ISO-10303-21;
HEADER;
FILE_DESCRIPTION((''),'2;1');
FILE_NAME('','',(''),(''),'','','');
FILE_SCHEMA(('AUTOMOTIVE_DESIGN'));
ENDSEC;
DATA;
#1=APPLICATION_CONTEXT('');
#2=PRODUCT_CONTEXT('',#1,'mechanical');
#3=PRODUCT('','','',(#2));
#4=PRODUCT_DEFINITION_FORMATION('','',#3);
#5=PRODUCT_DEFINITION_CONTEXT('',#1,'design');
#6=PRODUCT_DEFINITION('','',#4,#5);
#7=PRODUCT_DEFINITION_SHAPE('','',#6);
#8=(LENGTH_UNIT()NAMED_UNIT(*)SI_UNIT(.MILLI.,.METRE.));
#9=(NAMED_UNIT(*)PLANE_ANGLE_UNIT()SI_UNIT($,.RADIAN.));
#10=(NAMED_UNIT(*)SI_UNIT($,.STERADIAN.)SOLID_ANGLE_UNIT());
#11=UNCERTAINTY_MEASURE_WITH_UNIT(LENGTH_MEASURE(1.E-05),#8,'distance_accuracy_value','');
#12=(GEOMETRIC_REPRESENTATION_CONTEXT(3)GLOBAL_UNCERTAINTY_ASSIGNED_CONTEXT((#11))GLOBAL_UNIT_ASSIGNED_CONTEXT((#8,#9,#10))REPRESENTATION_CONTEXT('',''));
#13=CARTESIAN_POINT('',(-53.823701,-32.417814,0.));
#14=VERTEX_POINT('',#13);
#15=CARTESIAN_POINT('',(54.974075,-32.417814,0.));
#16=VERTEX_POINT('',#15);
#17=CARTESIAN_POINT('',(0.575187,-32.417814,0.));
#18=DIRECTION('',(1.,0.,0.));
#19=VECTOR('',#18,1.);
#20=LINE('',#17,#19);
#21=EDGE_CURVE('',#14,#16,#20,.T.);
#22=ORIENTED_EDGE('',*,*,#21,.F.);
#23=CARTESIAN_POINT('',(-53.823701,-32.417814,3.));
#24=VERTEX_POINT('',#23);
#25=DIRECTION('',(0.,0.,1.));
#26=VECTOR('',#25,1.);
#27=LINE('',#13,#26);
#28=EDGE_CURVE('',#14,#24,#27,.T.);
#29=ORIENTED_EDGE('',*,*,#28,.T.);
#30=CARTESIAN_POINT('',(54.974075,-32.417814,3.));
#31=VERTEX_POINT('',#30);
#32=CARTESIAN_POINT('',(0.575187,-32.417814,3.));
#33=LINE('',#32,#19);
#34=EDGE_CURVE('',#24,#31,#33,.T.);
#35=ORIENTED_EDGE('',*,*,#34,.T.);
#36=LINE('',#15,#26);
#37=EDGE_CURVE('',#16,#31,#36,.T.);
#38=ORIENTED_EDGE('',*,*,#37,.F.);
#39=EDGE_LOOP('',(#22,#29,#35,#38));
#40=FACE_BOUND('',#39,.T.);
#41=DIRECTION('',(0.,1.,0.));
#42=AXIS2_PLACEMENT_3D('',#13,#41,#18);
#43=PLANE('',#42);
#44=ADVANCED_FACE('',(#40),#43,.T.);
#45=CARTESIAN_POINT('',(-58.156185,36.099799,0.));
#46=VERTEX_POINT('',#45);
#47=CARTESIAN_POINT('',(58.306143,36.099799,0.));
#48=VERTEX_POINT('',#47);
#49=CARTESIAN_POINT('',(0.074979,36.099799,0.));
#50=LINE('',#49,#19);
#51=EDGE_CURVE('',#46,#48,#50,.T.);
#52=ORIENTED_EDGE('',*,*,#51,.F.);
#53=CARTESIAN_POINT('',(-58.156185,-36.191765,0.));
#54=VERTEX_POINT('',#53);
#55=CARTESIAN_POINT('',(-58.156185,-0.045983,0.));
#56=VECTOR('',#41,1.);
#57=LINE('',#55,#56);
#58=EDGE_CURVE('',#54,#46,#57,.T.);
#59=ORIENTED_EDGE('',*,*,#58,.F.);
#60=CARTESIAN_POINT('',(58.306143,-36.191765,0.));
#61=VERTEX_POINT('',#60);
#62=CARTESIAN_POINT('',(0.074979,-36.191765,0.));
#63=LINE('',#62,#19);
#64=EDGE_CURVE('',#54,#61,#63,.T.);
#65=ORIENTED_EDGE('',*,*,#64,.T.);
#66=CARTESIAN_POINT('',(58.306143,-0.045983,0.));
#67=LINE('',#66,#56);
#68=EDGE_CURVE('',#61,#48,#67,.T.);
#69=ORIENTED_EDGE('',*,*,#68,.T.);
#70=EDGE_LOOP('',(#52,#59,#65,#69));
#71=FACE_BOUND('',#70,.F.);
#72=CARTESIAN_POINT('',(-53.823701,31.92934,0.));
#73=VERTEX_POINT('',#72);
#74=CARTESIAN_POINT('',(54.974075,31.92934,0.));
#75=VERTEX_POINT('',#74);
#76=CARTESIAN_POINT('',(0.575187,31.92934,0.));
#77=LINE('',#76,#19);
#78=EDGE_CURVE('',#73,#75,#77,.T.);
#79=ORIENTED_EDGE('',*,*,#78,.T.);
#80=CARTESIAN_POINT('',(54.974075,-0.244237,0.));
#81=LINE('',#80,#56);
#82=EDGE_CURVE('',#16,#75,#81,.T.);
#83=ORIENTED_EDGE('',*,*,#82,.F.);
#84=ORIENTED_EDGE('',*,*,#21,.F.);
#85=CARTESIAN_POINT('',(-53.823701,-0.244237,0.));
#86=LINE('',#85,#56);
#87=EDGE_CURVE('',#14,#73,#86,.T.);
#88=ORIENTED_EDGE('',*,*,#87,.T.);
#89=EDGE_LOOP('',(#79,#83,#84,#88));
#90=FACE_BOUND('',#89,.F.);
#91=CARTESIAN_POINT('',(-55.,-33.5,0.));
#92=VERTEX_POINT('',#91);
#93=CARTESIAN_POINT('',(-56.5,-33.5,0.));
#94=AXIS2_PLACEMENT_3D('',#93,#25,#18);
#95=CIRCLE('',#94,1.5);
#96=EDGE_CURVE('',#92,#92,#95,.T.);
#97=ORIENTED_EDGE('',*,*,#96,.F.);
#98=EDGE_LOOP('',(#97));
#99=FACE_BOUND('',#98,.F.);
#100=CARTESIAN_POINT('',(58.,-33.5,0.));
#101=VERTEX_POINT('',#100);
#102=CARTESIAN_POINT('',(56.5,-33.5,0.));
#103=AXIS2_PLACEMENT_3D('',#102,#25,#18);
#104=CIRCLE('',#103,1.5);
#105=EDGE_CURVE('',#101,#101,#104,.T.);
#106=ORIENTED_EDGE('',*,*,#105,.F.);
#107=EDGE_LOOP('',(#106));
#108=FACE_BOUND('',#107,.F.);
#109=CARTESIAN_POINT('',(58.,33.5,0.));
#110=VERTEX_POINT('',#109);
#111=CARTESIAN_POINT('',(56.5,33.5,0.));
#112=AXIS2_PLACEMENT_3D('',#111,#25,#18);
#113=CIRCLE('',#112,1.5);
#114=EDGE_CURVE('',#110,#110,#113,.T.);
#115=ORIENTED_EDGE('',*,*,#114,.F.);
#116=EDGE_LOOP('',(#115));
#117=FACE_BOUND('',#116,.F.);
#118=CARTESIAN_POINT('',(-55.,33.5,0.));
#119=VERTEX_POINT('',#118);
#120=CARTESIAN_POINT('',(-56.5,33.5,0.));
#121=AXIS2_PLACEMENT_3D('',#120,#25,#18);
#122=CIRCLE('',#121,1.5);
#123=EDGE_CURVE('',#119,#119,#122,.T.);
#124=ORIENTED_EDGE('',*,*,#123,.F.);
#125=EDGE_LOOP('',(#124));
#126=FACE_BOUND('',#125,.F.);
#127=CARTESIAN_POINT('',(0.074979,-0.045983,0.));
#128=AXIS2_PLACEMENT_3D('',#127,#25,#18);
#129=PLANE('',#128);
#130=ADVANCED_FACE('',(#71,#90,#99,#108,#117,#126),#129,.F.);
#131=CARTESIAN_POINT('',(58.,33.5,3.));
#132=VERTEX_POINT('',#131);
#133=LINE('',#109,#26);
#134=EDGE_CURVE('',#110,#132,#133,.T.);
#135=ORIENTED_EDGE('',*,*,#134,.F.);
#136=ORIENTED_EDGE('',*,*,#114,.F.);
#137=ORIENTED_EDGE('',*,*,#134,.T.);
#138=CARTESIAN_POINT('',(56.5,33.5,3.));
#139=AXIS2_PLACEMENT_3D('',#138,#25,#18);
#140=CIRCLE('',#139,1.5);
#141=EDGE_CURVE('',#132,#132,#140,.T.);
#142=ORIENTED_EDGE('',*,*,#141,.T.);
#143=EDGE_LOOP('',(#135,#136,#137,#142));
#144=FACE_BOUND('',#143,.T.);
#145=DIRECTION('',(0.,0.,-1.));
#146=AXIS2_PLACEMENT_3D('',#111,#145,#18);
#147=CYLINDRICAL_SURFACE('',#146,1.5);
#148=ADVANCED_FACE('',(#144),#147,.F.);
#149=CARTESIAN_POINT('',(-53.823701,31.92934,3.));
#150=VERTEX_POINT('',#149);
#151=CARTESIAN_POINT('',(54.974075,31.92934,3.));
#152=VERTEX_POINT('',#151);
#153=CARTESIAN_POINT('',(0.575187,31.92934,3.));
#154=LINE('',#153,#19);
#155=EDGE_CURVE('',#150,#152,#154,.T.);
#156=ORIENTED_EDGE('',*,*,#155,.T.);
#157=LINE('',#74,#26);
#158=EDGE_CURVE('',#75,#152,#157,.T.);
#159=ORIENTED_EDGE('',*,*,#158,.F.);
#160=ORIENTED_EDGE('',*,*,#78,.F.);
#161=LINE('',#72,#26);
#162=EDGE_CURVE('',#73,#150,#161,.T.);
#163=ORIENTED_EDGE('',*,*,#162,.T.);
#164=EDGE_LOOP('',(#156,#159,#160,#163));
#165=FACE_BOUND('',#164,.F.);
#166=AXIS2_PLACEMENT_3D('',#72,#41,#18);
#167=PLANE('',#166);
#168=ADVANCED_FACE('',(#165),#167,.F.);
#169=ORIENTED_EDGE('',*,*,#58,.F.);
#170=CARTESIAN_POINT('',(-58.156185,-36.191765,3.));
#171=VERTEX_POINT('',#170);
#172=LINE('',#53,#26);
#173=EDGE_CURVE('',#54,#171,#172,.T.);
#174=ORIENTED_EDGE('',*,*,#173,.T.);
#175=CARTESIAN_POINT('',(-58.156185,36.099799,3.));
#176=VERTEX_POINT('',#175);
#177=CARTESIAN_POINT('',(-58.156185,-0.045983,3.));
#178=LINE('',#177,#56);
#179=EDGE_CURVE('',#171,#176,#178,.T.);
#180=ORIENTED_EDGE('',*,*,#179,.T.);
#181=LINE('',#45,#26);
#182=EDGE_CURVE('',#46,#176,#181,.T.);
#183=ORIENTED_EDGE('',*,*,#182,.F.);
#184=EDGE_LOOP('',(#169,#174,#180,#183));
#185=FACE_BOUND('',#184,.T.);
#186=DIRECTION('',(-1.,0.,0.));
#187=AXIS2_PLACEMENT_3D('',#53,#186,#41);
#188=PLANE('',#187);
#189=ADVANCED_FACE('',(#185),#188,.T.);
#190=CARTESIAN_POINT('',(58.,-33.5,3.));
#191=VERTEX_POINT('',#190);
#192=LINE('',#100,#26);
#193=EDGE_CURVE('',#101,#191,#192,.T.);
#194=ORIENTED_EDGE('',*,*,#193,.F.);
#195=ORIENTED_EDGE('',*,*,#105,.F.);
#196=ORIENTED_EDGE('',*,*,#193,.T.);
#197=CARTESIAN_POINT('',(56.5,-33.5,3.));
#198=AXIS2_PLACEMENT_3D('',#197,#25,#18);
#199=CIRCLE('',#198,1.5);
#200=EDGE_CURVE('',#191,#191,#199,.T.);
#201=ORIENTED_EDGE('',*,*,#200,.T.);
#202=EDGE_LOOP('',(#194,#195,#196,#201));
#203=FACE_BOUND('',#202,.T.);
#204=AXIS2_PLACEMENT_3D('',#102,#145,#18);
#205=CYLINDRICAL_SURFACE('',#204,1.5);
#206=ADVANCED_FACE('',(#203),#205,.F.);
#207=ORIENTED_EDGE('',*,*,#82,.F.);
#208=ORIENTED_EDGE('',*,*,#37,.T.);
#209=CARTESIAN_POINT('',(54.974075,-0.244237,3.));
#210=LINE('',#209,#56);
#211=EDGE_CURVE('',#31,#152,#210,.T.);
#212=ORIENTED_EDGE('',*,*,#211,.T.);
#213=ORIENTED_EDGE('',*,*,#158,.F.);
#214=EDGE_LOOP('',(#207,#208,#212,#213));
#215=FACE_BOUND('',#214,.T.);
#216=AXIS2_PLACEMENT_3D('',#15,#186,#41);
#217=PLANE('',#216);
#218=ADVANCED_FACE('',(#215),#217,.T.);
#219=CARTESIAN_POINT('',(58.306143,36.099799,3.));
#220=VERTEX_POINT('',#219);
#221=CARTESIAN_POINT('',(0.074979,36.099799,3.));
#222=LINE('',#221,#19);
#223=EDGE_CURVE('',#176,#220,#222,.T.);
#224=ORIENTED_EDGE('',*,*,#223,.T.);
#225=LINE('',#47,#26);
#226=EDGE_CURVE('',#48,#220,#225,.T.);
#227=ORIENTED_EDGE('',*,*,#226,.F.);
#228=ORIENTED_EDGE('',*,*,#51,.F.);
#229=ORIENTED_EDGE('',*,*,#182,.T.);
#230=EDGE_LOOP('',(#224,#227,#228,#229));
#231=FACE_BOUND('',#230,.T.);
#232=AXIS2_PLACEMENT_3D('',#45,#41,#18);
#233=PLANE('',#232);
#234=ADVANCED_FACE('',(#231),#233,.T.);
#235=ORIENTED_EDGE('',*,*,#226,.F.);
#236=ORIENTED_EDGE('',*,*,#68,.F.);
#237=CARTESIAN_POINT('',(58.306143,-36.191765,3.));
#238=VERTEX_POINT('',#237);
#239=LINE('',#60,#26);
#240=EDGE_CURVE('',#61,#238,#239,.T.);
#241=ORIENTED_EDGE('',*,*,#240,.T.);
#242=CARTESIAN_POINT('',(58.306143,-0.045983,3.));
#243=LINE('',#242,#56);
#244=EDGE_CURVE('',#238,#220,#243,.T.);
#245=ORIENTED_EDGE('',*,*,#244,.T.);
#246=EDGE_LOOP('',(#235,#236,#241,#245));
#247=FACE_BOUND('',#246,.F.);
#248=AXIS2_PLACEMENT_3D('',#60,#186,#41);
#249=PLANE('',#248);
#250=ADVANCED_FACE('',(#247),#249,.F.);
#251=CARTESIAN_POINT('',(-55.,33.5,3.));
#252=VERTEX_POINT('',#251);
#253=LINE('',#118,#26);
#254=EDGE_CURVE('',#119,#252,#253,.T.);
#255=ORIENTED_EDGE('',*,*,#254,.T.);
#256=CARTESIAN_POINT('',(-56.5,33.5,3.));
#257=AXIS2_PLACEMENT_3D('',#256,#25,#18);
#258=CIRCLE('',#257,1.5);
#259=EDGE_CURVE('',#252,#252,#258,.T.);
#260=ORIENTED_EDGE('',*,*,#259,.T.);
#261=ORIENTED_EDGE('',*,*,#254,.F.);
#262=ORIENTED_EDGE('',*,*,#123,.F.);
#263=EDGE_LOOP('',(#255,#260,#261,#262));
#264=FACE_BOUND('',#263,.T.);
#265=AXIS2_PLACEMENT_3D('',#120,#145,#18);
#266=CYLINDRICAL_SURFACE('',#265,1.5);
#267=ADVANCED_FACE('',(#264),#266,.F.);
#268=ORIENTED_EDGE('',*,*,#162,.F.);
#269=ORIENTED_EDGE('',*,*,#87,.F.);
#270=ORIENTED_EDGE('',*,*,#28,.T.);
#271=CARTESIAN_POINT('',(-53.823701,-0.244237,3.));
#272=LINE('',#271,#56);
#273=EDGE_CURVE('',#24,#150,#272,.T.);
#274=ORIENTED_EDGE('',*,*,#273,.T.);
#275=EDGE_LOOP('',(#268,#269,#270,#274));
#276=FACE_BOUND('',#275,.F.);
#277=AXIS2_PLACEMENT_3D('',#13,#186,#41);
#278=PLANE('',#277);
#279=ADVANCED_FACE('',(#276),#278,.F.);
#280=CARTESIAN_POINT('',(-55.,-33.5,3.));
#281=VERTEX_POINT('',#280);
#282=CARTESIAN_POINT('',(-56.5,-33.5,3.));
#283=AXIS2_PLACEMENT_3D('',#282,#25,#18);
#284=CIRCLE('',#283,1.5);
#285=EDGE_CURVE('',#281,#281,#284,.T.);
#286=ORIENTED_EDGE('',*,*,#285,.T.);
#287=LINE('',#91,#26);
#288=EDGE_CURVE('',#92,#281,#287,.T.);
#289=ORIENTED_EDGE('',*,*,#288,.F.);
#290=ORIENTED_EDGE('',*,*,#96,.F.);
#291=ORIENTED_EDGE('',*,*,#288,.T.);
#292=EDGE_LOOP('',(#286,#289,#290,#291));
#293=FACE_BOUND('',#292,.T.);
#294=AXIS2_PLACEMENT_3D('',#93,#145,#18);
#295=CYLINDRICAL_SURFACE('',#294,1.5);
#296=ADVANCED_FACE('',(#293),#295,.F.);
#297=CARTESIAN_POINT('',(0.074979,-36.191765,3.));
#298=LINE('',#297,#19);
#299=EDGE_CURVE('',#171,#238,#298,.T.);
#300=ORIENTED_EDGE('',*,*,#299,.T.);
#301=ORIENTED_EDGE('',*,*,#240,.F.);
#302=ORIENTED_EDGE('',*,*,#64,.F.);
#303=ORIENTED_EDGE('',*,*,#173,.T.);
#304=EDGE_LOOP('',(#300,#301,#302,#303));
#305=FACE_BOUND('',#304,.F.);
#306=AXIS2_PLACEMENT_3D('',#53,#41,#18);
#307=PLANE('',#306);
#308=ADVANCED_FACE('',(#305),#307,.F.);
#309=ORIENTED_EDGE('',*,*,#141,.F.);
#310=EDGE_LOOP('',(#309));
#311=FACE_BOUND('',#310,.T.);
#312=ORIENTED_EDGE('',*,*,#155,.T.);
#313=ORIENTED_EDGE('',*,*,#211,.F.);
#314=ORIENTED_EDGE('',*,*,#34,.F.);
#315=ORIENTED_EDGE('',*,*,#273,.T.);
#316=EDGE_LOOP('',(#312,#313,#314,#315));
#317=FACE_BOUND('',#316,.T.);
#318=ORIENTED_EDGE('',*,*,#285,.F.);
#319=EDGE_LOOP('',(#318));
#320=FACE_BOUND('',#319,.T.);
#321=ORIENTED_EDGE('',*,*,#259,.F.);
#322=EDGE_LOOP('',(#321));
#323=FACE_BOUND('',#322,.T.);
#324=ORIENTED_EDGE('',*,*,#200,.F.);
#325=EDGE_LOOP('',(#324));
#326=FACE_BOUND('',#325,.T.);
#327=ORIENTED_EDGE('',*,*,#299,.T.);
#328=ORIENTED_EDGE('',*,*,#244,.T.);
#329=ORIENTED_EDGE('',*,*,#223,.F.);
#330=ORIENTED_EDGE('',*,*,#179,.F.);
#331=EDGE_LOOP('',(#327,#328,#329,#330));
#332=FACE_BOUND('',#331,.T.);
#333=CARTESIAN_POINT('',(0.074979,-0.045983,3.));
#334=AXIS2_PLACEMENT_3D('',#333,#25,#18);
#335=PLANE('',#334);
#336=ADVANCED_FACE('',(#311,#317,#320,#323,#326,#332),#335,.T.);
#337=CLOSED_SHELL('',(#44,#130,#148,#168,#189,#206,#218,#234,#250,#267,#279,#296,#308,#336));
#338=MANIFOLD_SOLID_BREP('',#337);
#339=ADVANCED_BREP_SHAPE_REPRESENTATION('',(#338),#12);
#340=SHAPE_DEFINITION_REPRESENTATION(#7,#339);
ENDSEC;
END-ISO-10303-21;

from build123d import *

# Parameters (mm, degrees)
F0_W     = 116.462328
F0_H     = 72.291564
F0_R     = 1.5
F0_W_2   = 108.797777
F0_H_2   = 64.347155
F1_DEPTH = 3


with BuildPart() as f1:
    # F0 (on Top) → F1 (new body)
    with BuildSketch(Plane.XY):
        with Locations((0.074979, -0.045983)):
            Rectangle(F0_W, F0_H)
        with Locations((-56.5, -33.5)):
            Circle(F0_R, mode=Mode.SUBTRACT)
        with Locations((56.5, -33.5)):
            Circle(F0_R, mode=Mode.SUBTRACT)
        with Locations((0.575187, -0.244237)):
            Rectangle(F0_W_2, F0_H_2, mode=Mode.SUBTRACT)
        with Locations((-56.5, 33.5)):
            Circle(F0_R, mode=Mode.SUBTRACT)
        with Locations((56.5, 33.5)):
            Circle(F0_R, mode=Mode.SUBTRACT)
    extrude(amount=F1_DEPTH)


solid = f1.part
